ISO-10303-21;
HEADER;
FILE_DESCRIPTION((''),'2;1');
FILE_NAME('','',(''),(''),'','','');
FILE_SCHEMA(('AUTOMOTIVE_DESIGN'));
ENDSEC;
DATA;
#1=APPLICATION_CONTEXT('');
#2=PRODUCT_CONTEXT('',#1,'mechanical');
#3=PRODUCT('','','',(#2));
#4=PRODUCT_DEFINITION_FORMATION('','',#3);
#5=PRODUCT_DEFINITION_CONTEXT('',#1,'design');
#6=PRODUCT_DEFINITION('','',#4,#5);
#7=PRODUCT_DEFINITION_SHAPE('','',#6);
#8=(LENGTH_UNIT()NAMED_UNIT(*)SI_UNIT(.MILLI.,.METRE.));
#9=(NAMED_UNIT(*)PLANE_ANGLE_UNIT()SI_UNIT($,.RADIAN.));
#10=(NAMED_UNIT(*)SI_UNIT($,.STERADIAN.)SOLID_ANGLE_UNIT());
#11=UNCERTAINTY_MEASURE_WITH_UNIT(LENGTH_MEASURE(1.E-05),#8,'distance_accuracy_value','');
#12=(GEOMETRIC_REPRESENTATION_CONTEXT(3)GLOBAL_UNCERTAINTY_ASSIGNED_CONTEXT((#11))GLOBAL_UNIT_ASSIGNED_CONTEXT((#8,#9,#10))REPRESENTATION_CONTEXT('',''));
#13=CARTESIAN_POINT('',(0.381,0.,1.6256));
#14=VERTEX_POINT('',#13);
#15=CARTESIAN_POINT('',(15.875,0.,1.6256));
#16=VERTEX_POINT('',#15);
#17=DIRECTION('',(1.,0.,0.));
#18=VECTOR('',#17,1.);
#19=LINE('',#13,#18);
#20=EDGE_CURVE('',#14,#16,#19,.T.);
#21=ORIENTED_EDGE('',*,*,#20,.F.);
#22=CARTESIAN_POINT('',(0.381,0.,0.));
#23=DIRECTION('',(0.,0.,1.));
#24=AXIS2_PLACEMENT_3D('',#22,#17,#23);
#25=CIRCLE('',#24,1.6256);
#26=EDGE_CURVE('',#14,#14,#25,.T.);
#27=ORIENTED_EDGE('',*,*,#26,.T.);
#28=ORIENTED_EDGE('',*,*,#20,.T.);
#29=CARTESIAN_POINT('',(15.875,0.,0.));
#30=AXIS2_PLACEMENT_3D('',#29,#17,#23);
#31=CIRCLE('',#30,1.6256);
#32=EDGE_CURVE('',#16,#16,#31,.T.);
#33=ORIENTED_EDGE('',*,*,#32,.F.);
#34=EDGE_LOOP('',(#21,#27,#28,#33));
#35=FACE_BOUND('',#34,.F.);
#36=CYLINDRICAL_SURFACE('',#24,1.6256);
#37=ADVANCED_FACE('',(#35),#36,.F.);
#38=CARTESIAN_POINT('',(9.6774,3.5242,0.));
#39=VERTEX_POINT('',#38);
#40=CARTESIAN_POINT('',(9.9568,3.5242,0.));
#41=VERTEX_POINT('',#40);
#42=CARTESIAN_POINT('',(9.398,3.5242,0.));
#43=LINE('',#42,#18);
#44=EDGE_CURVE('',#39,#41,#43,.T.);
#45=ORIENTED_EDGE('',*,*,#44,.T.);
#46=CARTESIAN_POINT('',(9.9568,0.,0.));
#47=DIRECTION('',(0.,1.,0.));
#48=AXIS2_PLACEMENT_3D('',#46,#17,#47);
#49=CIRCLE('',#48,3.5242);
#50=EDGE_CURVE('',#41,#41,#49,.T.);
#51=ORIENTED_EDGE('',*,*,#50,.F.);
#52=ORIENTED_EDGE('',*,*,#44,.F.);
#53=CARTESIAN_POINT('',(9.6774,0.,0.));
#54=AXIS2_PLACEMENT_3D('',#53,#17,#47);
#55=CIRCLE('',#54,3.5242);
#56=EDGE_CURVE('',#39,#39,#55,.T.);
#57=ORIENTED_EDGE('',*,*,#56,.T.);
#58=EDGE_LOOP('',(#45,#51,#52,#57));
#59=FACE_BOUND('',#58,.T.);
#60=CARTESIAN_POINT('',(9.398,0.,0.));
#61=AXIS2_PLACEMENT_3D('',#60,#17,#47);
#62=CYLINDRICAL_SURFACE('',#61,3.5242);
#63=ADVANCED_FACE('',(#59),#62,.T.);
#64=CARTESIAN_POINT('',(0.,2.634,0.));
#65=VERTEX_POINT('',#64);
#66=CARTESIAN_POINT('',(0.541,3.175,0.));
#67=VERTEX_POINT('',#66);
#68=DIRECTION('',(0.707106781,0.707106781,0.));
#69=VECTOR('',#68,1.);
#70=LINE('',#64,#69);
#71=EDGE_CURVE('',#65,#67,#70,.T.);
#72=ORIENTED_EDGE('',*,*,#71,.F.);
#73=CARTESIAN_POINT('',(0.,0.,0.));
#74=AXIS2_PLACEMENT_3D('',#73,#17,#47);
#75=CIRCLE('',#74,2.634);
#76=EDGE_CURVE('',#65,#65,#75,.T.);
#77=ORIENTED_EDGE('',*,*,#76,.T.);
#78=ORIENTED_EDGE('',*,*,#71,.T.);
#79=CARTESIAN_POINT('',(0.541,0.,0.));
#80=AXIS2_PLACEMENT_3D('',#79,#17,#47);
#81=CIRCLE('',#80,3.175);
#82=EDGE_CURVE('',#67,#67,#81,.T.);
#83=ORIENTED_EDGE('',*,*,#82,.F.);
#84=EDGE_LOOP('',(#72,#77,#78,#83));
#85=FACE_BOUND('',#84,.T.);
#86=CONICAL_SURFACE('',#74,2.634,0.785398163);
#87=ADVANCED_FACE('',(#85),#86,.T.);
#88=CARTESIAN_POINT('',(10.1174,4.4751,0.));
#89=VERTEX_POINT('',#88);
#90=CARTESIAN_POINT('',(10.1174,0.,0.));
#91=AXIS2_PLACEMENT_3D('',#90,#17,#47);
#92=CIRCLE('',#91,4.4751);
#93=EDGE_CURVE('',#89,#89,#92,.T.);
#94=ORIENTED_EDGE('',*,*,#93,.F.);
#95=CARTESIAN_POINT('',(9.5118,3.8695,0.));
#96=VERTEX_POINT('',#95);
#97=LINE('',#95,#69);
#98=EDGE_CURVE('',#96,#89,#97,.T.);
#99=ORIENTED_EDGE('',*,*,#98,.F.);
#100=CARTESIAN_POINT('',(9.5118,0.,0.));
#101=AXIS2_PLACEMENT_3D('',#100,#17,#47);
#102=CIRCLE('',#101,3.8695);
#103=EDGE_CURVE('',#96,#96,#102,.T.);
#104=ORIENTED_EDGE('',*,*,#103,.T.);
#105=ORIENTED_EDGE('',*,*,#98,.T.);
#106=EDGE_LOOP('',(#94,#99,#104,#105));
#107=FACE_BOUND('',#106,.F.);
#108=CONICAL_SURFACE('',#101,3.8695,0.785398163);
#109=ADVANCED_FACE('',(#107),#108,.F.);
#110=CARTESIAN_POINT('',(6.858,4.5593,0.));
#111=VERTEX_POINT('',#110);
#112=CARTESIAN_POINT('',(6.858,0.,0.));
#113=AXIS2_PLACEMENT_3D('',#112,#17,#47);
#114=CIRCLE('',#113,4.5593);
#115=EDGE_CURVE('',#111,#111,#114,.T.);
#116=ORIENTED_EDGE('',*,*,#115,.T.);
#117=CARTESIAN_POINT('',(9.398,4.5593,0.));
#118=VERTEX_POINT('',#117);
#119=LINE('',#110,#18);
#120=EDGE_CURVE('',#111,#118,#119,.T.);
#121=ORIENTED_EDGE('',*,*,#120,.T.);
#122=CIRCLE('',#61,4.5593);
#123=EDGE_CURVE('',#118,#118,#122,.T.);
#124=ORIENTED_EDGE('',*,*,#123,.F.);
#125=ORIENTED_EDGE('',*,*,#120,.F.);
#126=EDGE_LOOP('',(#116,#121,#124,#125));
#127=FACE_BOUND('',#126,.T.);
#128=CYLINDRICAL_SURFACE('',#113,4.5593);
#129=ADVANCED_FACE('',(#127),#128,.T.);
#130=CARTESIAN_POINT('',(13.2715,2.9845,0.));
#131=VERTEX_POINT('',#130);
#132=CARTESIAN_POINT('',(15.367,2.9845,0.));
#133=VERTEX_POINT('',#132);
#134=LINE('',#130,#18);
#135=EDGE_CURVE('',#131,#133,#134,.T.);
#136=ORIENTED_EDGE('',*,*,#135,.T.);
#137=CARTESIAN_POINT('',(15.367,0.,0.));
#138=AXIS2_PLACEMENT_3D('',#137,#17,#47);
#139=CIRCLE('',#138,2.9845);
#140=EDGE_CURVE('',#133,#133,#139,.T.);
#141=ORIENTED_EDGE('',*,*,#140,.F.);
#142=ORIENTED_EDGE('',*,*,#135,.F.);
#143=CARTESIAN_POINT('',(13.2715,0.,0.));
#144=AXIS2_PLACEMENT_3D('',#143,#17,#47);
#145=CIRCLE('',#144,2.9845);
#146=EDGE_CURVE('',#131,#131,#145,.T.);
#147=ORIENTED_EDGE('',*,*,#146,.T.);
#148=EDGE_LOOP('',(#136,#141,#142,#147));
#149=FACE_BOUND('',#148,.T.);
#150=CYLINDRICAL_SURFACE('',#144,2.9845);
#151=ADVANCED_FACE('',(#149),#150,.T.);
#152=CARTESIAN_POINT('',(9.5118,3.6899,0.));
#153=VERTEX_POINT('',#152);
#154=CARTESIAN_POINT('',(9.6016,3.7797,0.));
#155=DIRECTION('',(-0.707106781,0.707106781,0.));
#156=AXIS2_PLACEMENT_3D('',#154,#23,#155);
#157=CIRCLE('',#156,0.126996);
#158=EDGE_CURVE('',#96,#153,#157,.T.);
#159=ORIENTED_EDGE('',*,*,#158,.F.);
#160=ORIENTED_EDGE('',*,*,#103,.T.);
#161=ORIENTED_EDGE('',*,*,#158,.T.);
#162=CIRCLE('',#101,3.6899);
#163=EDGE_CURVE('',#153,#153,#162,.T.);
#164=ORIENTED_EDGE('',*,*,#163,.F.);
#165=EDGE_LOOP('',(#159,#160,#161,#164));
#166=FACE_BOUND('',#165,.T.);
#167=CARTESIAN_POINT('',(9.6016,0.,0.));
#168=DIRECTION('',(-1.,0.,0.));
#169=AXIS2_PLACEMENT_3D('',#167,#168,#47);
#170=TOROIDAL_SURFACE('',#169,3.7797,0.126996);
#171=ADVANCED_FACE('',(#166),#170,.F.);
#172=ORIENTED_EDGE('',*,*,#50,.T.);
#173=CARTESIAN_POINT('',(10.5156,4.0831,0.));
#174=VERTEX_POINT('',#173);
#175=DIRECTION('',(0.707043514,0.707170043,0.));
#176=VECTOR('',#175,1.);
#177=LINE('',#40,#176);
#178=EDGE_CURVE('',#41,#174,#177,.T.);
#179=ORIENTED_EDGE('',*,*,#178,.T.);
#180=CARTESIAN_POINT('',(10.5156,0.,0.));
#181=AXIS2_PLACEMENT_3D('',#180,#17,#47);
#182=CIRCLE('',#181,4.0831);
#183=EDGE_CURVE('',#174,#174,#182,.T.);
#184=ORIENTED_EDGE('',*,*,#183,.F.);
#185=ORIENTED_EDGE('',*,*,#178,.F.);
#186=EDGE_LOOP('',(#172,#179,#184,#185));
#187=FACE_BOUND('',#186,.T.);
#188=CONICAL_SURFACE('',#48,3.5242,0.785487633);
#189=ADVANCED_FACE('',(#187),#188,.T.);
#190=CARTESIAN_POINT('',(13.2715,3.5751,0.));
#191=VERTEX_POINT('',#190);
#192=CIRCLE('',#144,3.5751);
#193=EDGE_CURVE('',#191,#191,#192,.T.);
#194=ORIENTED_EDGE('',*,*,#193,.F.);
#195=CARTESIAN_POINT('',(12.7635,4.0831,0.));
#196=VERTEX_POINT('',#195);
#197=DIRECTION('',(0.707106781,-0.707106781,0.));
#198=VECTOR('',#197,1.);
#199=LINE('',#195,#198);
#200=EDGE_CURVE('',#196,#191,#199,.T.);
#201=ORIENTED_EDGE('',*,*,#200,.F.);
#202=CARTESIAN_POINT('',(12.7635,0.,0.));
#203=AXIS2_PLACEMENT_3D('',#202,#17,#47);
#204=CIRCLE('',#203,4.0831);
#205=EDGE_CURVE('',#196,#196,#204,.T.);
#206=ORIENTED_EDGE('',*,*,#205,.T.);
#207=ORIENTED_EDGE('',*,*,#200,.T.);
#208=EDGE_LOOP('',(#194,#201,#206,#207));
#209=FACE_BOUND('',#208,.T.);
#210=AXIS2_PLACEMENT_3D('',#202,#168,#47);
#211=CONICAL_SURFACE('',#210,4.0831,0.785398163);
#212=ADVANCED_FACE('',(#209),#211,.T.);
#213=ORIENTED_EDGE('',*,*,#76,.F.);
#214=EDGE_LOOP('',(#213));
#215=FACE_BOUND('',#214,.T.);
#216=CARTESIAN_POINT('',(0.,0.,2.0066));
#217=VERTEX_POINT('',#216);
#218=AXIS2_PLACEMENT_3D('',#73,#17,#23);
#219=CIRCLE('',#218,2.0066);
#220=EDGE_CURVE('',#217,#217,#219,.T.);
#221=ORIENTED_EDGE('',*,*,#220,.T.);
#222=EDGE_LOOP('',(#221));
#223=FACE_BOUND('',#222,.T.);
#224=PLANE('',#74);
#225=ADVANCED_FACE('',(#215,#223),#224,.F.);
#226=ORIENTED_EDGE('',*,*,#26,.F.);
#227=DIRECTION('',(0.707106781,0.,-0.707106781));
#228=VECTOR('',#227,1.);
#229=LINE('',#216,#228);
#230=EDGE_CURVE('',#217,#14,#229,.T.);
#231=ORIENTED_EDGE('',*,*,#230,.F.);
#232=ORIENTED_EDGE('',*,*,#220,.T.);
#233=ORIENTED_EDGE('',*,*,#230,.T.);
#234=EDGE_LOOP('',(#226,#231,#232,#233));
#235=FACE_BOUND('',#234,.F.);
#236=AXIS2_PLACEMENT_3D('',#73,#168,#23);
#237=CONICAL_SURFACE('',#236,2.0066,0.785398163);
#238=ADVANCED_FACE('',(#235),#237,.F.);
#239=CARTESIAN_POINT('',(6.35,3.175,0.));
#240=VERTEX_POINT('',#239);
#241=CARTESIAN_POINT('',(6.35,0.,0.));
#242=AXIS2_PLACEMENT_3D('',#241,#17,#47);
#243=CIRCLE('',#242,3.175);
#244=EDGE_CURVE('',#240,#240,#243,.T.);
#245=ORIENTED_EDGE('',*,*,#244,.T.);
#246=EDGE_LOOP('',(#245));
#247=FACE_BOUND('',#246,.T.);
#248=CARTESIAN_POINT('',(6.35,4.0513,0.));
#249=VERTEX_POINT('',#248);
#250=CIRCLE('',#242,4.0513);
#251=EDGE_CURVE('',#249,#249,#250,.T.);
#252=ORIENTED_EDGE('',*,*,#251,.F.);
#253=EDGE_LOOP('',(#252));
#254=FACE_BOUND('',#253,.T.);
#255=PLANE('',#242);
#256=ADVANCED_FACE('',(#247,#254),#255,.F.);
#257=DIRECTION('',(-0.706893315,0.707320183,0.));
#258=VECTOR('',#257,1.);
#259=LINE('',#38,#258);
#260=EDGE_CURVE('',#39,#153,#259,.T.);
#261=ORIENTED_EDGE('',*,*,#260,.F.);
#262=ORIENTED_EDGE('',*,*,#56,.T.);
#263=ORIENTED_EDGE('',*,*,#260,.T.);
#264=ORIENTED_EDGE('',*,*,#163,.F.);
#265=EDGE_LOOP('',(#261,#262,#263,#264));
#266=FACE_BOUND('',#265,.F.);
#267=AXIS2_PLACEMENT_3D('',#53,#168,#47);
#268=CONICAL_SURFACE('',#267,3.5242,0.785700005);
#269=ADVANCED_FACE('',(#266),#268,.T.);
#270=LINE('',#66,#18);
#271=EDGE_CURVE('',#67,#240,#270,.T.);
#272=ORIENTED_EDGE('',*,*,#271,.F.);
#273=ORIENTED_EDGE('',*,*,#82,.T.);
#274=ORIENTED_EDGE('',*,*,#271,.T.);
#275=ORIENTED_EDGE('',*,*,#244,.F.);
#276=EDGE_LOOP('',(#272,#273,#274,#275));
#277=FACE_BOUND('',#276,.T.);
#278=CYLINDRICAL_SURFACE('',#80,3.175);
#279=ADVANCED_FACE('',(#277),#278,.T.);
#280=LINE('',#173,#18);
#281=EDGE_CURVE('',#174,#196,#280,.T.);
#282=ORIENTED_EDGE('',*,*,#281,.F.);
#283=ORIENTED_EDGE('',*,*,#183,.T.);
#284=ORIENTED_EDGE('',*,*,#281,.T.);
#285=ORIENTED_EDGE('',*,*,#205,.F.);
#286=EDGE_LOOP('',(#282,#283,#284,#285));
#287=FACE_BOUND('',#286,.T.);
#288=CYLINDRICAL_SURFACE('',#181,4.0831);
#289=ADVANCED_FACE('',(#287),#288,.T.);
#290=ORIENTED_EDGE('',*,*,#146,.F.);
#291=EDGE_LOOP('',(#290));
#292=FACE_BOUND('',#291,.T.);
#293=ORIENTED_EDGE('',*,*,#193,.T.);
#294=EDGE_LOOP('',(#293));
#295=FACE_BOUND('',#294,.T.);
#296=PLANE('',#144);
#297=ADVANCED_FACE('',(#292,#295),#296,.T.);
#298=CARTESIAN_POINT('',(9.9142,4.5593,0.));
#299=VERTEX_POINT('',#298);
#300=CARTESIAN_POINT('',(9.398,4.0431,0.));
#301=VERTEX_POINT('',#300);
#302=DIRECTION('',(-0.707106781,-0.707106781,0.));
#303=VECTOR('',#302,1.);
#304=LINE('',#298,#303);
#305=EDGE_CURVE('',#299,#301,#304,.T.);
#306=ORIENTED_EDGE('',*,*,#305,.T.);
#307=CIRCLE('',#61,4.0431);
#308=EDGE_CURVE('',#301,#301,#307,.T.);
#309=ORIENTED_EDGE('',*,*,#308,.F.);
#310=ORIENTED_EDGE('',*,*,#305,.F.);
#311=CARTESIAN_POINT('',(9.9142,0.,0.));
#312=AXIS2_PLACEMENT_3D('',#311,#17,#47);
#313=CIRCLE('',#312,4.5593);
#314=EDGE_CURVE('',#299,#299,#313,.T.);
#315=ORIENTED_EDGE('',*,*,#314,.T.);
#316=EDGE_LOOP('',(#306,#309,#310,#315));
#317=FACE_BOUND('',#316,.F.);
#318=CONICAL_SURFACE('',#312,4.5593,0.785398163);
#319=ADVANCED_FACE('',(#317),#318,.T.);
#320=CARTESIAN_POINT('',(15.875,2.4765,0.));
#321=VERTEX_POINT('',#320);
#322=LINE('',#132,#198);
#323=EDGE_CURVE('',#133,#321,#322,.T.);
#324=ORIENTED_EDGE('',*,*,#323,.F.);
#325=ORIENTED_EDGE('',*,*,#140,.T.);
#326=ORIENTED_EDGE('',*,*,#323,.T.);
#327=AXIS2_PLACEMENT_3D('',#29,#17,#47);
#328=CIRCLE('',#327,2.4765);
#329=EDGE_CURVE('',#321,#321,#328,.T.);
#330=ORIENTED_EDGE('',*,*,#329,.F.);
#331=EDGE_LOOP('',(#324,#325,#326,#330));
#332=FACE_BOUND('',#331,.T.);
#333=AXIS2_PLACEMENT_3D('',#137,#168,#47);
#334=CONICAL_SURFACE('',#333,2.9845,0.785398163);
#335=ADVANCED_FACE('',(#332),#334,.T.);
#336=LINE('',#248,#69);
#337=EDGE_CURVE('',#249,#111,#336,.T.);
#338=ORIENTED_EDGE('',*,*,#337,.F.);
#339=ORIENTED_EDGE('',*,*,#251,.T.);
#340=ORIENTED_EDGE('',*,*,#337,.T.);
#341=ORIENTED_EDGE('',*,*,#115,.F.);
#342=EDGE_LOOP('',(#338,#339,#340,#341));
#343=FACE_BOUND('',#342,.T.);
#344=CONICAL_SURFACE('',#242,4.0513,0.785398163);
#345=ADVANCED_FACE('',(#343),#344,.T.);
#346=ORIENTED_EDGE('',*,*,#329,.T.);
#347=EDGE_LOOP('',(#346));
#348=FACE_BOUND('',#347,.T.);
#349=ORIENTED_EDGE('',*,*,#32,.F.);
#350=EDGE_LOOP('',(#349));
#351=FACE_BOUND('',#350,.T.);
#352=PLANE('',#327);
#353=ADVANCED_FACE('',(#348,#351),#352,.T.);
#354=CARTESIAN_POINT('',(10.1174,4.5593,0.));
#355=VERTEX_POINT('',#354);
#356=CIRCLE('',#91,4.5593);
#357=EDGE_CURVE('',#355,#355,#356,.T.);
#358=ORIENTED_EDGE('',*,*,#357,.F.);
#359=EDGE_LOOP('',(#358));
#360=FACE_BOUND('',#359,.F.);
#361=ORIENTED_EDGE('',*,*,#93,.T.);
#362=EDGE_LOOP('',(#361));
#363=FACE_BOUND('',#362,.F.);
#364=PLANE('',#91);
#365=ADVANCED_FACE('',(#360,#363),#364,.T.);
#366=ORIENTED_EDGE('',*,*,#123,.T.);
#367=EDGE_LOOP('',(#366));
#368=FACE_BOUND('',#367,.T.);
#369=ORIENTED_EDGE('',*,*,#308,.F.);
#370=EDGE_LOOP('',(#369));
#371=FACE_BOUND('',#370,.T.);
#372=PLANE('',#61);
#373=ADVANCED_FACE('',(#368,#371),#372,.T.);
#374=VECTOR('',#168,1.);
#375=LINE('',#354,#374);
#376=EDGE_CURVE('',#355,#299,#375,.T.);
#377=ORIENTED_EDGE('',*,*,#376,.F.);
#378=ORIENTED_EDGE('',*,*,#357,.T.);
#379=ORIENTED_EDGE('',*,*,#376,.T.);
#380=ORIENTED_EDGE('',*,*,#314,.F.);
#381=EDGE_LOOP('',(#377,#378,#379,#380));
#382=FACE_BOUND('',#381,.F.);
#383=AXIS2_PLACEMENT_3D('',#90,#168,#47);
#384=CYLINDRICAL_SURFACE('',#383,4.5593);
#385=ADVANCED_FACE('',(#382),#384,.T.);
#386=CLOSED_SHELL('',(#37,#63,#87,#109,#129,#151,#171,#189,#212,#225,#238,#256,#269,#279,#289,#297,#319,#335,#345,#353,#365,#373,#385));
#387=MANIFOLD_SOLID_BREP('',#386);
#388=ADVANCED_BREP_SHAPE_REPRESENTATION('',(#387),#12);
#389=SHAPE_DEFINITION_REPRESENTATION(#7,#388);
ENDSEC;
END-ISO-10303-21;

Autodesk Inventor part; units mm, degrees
sketch "Sketch_1" plane through (0, 0, 0) normal (0, 0, 1) x (1, 0, 0)
  line L0 (6.35, 0) -> (0, 0)
  line L1 (0, 0) -> (0, 2.634)
  line L2 (0, 2.634) -> (0.541, 3.175)
  line L3 (0.541, 3.175) -> (6.35, 3.175)
  line L4 (6.35, 3.175) -> (6.35, 0)
  line L5 (6.35, 0) -> (0, 0)
revolve "Revolution1" add sketch "Sketch_1" angle 360 about axis through (6.35, 0, 0) along (1, 0, 0)
thread "Thread1" size "1/4-28 UNF" class "2A" standard "ANSI Unified Screw Threads" full length
sketch "Sketch_3" plane through (0, 0, 0) normal (0, 0, 1) x (1, 0, 0)
  line L0 (13.2715, 0) -> (6.35, 0)
  line L1 (6.35, 0) -> (6.35, 4.0513)
  line L2 (6.35, 4.0513) -> (6.858, 4.5593)
  line L3 (6.858, 4.5593) -> (9.398, 4.5593)
  line L4 (9.398, 4.5593) -> (9.398, 3.5242)
  line L5 (9.398, 3.5242) -> (9.9568, 3.5242)
  line L6 (9.9568, 3.5242) -> (10.5156, 4.0831)
  line L7 (10.5156, 4.0831) -> (12.7635, 4.0831)
  line L8 (12.7635, 4.0831) -> (13.2715, 3.5751)
  line L9 (13.2715, 3.5751) -> (13.2715, 0)
  line L10 (13.2715, 0) -> (6.35, 0)
revolve "Revolution2" add sketch "Sketch_3" angle 360 about axis through (13.2715, 0, 0) along (1, 0, 0)
sketch "Sketch_4" plane through (0, 0, 0) normal (0, 0, 1) x (1, 0, 0)
  line L0 (15.875, 0) -> (13.2715, 0)
  line L1 (13.2715, 0) -> (13.2715, 2.9845)
  line L2 (13.2715, 2.9845) -> (15.367, 2.9845)
  line L3 (15.367, 2.9845) -> (15.875, 2.4765)
  line L4 (15.875, 2.4765) -> (15.875, 0)
  line L5 (15.875, 0) -> (13.2715, 0)
revolve "Revolution3" add sketch "Sketch_4" angle 360 about axis through (15.875, 0, 0) along (1, 0, 0)
sketch "Sketch4" plane through (0, 0, 0) normal (-1, 0, 0) x (0, 0, 1)
  point P0 (0, 0)
hole "Hole1" at (0, 0, 0) direction (1, 0, 0) diameter 3.2512 depth 15.875 countersink diameter 4.0132 countersink angle 90
sketch "Sketch_47" plane through (0, 0, 0) normal (0, 0, 1) x (1, 0, 0)
  line L0 (9.9568, 0) -> (9.398, 0)
  line L1 (9.398, 4.0431) -> (9.398, 3.2702)
  line L2 (9.398, 3.2702) -> (9.9568, 3.2702)
  line L3 (9.9568, 3.2702) -> (9.9568, 3.5242)
  line L4 (9.9568, 3.5242) -> (9.6774, 3.5242)
  line L5 (9.6774, 3.5242) -> (9.5118, 3.6899)
  arc A0 (9.5118, 3.8695) -> (9.5118, 3.6899) centre (9.6016, 3.7797) ccw
  line L6 (9.5118, 3.8695) -> (10.1174, 4.4751)
  line L7 (10.1174, 4.4751) -> (10.1174, 4.5593)
  line L8 (10.1174, 4.5593) -> (9.9142, 4.5593)
  line L9 (9.9142, 4.5593) -> (9.398, 4.0431)
revolve "Revolution4" add sketch "Sketch_47" angle 360 about axis through (9.9568, 0, 0) along (1, 0, 0)
ref_plane "hh_XY" through (0, 3.175, 0) normal (0, 0, 1) x (1, 0, 0)
ref_plane "hh_YZ" through (0, 3.175, 0) normal (1, 0, 0) x (0, 1, 0)
ref_plane "hh_ZX" through (0, 3.175, 0) normal (0, 1, 0) x (0, 0, 1)
ref_plane "rod_guide_XY" through (0, 0, 0) normal (1, 0, 0) x (0, 0, -1)
ref_plane "rod_guide_YZ" through (0, 0, 0) normal (0, 0, -1) x (0, 1, 0)
ref_plane "rod_guide_ZX" through (0, 0, 0) normal (0, 1, 0) x (1, 0, 0)
ref_plane "t1_XY" through (6.35, 0, 0) normal (1, 0, 0) x (0, 0, -1)
ref_plane "t1_YZ" through (6.35, 0, 0) normal (0, 0, -1) x (0, 1, 0)
ref_plane "t1_ZX" through (6.35, 0, 0) normal (0, 1, 0) x (1, 0, 0)
ref_plane "t111_XY" through (6.35, 0, 0) normal (1, 0, 0) x (0, 0, -1)
ref_plane "t111_YZ" through (6.35, 0, 0) normal (0, 0, -1) x (0, 1, 0)
ref_plane "t111_ZX" through (6.35, 0, 0) normal (0, 1, 0) x (1, 0, 0)
ref_plane "to_foot_bracket_XY" through (6.35, 0, 0) normal (1, 0, 0) x (0, 0, -1)
ref_plane "to_foot_bracket_YZ" through (6.35, 0, 0) normal (0, 0, -1) x (0, 1, 0)
ref_plane "to_foot_bracket_ZX" through (6.35, 0, 0) normal (0, 1, 0) x (1, 0, 0)
ref_plane "to_nut_XY" through (6.35, 0, 0) normal (1, 0, 0) x (0, 0, -1)
ref_plane "to_nut_YZ" through (6.35, 0, 0) normal (0, 0, -1) x (0, 1, 0)
ref_plane "to_nut_ZX" through (6.35, 0, 0) normal (0, 1, 0) x (1, 0, 0)
ref_plane "to_rod_XY" through (0, 0, 0) normal (1, 0, 0) x (0, 0, -1)
ref_plane "to_rod_YZ" through (0, 0, 0) normal (0, 0, -1) x (0, 1, 0)
ref_plane "to_rod_ZX" through (0, 0, 0) normal (0, 1, 0) x (1, 0, 0)
ref_plane "to_screw_XY" through (6.35, 0, 0) normal (0, 1, 0) x (1, 0, 0)
ref_plane "to_screw_YZ" through (6.35, 0, 0) normal (1, 0, 0) x (0, 0, -1)
ref_plane "to_screw_ZX" through (6.35, 0, 0) normal (0, 0, -1) x (0, 1, 0)
ref_plane "to_trunnion_brackets_XY" through (0, 0, 0) normal (0, 1, 0) x (1, 0, 0)
ref_plane "to_trunnion_brackets_YZ" through (0, 0, 0) normal (1, 0, 0) x (0, 0, -1)
ref_plane "to_trunnion_brackets_ZX" through (0, 0, 0) normal (0, 0, -1) x (0, 1, 0)
ref_plane "to_trunnion_brackets1_XY" through (0, 6.35, 0) normal (0, 1, 0) x (1, 0, 0)
ref_plane "to_trunnion_brackets1_YZ" through (0, 6.35, 0) normal (1, 0, 0) x (0, 0, -1)
ref_plane "to_trunnion_brackets1_ZX" through (0, 6.35, 0) normal (0, 0, -1) x (0, 1, 0)
ref_plane "to_trunnion_brackets2_XY" through (0, -6.35, 0) normal (0, 1, 0) x (1, 0, 0)
ref_plane "to_trunnion_brackets2_YZ" through (0, -6.35, 0) normal (1, 0, 0) x (0, 0, -1)
ref_plane "to_trunnion_brackets2_ZX" through (0, -6.35, 0) normal (0, 0, -1) x (0, 1, 0)
ref_plane "to_tube_XY" through (9.9568, 0, 0) normal (1, 0, 0) x (0, 0, -1)
ref_plane "to_tube_YZ" through (9.9568, 0, 0) normal (0, 0, -1) x (0, 1, 0)
ref_plane "to_tube_ZX" through (9.9568, 0, 0) normal (0, 1, 0) x (1, 0, 0)
properties part number "007000-0_rod_guide"
